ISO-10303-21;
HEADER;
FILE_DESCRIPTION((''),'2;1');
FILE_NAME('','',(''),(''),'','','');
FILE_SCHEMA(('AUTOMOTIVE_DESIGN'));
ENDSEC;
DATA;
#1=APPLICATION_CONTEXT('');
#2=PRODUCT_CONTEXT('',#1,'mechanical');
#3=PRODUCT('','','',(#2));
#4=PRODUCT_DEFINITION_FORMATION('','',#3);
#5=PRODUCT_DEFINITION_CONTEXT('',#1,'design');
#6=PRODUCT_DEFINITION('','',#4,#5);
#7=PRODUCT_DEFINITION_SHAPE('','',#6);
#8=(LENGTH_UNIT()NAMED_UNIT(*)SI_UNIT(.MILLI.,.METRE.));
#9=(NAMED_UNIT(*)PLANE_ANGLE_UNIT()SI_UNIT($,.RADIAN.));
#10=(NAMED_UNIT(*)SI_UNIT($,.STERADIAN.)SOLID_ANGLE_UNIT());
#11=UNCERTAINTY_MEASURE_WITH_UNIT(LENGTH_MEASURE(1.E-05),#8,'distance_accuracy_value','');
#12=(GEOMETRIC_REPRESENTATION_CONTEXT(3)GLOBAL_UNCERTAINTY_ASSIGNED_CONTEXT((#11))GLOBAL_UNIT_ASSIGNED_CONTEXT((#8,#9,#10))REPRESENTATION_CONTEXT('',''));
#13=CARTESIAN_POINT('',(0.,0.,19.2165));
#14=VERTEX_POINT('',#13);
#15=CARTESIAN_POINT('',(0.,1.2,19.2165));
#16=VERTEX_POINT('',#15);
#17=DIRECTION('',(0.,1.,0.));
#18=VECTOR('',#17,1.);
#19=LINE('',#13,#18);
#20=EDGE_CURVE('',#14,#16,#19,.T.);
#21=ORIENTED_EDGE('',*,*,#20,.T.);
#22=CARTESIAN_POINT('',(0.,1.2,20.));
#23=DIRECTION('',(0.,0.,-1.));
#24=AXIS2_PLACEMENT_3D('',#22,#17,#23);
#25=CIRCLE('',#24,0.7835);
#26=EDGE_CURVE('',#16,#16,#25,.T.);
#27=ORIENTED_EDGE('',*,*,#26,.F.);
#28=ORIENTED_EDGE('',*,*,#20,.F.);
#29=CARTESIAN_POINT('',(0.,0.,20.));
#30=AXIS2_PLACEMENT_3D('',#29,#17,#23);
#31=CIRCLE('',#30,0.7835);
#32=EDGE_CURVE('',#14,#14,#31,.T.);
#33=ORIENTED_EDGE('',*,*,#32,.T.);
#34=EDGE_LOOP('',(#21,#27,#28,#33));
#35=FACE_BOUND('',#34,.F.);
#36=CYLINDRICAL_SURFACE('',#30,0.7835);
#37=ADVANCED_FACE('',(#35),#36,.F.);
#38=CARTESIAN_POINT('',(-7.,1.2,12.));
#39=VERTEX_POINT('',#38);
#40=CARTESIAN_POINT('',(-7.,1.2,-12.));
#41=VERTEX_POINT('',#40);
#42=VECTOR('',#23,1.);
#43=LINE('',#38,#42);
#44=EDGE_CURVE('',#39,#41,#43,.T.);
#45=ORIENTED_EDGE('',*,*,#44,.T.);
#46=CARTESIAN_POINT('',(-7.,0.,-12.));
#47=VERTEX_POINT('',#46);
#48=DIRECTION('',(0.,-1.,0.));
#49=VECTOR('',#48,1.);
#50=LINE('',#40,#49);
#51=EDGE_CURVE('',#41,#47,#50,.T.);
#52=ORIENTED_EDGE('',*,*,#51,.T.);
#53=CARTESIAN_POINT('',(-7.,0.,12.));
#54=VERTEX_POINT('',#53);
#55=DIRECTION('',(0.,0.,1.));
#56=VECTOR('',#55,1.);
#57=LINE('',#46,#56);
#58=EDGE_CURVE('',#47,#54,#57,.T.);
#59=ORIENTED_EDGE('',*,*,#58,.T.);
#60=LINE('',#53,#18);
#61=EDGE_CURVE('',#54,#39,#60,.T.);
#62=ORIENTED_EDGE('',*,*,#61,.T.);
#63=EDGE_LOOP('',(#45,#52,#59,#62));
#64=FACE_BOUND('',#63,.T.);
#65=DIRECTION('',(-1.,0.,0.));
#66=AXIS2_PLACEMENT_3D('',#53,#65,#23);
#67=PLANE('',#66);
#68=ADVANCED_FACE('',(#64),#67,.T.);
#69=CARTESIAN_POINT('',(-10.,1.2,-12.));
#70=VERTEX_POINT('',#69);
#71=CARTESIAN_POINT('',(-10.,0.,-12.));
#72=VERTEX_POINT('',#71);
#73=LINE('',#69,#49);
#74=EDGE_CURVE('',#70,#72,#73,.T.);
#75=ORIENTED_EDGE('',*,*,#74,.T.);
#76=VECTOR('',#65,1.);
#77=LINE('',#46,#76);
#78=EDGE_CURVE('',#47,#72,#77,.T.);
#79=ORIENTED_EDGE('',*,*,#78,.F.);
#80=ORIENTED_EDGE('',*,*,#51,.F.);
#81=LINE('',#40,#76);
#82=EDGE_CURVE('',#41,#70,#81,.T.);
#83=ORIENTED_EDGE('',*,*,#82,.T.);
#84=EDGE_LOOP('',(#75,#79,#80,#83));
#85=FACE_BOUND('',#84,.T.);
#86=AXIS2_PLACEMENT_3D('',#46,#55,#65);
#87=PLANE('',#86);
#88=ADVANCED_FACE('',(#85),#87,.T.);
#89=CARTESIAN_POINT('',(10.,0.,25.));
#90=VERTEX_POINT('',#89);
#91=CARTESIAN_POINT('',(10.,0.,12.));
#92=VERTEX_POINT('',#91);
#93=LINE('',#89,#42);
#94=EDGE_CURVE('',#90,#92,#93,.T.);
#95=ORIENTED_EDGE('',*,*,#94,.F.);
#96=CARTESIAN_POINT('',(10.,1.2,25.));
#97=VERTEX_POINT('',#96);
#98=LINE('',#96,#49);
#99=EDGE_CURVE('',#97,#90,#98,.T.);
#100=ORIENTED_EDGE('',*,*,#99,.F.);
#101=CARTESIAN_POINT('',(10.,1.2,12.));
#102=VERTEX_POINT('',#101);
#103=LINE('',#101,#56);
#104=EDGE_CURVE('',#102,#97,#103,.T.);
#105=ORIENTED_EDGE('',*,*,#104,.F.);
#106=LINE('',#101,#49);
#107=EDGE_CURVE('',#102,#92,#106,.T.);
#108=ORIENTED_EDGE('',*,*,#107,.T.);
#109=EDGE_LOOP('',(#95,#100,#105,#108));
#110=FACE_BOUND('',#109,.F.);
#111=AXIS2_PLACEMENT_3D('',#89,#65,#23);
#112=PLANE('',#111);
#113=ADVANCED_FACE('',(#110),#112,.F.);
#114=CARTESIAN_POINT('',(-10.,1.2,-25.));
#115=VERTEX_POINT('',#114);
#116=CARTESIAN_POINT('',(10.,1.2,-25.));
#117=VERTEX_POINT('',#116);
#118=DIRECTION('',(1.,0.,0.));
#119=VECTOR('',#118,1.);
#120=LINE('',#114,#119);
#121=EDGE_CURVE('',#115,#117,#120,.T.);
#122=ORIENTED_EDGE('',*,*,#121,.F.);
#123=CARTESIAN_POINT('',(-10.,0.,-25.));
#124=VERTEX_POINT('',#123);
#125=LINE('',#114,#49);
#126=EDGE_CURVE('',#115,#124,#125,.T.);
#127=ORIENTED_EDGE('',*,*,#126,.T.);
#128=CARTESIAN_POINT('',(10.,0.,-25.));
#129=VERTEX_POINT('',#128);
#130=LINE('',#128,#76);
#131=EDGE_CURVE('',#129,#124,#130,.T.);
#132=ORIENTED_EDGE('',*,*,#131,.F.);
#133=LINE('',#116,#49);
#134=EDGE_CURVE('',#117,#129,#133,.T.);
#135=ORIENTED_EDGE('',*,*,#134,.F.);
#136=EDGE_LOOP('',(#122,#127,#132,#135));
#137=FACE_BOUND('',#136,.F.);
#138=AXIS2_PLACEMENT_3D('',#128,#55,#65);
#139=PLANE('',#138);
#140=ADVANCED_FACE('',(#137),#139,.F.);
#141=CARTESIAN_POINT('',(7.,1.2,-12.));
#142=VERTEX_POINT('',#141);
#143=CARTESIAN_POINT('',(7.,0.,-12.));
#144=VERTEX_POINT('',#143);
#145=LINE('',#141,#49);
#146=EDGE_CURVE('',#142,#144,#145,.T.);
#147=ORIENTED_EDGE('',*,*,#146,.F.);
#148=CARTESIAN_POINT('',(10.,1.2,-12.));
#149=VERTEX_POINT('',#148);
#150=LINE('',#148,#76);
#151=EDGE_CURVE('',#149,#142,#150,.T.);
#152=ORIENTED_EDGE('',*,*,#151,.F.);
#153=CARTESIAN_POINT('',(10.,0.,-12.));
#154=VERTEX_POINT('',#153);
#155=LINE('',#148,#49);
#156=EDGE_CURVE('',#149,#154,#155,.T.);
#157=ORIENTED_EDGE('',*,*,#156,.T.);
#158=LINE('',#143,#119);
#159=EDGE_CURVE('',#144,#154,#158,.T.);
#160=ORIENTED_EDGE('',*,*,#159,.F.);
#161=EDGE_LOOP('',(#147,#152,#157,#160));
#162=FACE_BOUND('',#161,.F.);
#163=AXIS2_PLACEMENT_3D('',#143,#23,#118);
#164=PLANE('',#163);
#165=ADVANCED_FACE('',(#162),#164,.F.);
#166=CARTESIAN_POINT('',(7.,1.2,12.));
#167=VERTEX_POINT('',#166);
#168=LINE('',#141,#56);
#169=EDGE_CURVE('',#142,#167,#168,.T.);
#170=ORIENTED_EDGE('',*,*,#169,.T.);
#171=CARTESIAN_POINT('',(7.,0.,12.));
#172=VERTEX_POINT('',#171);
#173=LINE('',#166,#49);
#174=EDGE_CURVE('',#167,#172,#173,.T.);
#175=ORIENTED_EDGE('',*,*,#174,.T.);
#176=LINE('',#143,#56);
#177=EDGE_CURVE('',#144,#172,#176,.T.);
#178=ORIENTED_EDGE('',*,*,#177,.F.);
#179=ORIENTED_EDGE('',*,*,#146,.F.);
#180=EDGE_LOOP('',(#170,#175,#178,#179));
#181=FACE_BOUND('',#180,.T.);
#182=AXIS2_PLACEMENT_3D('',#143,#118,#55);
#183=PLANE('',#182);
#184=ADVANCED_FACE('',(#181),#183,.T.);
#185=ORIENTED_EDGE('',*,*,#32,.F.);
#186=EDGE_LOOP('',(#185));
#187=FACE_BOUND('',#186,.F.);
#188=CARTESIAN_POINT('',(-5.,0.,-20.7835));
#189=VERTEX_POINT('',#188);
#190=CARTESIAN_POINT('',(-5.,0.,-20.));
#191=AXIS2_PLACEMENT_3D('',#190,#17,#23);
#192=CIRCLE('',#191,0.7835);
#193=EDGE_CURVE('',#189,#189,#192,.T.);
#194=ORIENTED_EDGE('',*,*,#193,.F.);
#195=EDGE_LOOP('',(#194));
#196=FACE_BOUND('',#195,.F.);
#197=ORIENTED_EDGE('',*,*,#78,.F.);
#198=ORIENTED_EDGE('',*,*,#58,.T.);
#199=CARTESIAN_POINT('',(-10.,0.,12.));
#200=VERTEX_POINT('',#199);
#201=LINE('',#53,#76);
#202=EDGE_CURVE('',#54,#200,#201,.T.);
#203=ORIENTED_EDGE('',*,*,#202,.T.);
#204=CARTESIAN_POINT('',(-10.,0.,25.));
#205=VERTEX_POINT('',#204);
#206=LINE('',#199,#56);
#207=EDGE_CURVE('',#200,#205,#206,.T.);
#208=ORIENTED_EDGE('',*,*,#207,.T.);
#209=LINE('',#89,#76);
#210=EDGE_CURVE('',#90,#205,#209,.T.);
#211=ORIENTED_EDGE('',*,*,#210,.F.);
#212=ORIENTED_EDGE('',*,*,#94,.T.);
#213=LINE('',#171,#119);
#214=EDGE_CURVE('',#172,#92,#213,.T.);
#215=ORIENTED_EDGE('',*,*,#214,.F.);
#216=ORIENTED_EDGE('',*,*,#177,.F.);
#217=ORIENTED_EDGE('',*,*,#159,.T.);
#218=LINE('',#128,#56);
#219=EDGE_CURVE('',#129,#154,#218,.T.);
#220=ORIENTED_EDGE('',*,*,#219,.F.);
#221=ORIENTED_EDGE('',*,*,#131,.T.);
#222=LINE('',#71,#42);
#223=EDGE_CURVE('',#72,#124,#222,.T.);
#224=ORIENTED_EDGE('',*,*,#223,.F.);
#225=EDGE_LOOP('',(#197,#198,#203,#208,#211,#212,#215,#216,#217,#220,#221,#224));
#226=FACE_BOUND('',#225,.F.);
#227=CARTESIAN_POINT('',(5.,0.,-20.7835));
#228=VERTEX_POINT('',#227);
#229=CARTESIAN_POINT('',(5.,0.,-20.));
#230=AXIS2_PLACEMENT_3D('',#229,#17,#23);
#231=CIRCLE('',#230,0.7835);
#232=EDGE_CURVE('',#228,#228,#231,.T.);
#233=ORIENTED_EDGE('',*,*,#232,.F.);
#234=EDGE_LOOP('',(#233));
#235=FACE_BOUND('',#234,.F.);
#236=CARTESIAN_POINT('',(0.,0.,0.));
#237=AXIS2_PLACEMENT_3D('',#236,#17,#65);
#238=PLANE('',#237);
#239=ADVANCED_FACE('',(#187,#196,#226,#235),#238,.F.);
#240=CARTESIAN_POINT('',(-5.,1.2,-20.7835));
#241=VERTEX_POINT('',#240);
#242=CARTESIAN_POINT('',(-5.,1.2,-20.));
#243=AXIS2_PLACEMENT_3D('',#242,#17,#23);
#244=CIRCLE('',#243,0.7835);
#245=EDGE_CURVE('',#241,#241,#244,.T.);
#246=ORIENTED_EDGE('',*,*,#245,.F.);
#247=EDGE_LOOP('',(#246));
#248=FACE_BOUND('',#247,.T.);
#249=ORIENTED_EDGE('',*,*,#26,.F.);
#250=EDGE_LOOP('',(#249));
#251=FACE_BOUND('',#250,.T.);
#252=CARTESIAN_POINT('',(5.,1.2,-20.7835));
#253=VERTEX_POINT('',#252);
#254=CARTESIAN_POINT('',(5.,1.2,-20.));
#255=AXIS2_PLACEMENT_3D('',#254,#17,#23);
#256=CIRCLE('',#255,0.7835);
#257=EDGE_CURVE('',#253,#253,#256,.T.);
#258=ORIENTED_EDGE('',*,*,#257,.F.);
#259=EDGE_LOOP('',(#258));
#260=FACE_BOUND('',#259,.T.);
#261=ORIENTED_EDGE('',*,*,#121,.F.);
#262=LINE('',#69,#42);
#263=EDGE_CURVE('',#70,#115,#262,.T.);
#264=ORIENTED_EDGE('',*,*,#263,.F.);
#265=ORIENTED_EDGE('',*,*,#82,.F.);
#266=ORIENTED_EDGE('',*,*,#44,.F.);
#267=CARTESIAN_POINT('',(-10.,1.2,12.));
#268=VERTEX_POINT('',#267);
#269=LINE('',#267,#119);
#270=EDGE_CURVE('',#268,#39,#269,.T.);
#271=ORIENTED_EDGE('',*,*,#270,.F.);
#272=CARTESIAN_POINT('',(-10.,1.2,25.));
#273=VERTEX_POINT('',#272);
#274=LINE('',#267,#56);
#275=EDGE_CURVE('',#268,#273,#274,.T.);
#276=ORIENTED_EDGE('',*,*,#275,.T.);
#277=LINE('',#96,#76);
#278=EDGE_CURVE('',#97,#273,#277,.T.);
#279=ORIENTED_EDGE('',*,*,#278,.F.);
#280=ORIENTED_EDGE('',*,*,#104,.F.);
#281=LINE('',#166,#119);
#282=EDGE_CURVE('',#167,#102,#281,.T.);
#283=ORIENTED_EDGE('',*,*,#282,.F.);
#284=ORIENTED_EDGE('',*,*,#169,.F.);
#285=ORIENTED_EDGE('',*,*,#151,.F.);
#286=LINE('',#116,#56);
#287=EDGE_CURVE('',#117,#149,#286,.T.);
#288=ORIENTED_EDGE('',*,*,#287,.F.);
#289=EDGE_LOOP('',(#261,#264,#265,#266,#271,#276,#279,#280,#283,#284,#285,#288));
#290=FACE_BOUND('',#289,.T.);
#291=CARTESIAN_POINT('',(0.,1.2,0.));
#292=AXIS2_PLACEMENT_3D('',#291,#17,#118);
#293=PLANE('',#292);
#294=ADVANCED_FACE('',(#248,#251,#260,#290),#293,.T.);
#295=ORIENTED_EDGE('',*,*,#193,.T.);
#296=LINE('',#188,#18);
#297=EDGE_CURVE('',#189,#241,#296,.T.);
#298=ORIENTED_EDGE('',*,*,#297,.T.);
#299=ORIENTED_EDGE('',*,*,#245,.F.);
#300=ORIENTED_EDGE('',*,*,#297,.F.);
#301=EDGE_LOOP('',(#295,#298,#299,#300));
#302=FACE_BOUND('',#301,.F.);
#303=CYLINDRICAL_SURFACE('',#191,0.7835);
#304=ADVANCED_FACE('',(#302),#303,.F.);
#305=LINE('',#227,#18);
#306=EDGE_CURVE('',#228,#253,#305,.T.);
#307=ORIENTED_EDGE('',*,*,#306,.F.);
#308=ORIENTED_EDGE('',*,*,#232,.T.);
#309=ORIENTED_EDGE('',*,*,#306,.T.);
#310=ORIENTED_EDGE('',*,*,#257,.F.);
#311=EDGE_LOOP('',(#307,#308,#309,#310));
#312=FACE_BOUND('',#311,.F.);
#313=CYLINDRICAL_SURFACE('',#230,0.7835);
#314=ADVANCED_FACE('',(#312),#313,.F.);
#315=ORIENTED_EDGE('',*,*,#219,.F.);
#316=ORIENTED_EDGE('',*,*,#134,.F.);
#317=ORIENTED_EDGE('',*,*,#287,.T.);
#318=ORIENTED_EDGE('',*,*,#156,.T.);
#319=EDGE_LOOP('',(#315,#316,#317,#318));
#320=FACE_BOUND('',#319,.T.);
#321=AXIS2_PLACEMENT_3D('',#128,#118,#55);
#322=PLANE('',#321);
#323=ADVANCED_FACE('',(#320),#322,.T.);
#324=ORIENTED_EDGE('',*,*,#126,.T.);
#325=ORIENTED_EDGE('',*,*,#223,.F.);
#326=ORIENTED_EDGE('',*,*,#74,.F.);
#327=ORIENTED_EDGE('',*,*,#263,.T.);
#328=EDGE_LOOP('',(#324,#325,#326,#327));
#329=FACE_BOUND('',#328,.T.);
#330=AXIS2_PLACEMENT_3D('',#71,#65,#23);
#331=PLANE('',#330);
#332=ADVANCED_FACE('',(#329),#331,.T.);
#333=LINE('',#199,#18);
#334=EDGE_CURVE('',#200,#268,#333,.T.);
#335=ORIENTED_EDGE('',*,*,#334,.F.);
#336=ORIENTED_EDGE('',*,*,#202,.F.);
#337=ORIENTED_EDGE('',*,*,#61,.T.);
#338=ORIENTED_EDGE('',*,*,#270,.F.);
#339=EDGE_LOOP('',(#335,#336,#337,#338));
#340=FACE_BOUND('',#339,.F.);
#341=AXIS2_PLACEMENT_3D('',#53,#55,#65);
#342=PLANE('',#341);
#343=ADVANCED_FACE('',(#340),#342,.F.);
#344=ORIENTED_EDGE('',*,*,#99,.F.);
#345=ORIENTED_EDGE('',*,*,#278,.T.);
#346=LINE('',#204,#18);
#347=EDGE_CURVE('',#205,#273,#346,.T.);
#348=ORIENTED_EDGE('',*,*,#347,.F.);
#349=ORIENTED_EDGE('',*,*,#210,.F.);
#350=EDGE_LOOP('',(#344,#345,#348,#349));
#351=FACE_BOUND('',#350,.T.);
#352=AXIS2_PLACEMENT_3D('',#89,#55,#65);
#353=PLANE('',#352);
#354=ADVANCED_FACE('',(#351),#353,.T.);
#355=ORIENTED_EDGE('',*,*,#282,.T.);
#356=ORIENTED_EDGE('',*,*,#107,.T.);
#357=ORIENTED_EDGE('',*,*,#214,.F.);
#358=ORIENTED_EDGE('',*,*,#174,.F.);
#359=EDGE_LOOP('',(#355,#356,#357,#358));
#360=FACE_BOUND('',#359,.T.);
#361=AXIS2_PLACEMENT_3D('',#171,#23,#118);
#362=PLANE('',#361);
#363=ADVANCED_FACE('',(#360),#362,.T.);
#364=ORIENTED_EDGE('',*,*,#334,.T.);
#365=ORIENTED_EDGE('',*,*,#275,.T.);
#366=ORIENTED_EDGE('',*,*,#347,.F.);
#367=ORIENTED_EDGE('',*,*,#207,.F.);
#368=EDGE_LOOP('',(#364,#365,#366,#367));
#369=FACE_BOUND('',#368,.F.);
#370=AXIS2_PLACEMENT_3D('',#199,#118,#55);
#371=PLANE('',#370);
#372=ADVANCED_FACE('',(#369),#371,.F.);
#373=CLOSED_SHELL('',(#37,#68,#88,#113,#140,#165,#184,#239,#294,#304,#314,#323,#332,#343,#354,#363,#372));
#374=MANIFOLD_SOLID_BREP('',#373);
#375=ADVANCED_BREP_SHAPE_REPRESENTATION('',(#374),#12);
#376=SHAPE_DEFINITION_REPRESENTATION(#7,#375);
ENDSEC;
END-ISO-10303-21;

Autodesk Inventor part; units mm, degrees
ref_plane "YZ Plane" through (0, 0, 0) normal (1, 0, 0) x (0, 1, 0)
ref_plane "XZ Plane" through (0, 0, 0) normal (0, 1, 0) x (-1, 0, 0)
ref_plane "XY Plane" through (0, 0, 0) normal (0, 0, 1) x (1, 0, 0)
sketch "Sketch1" plane through (0, 0, 0) normal (0, 1, 0) x (-1, 0, 0)
  line L0 (7, 12) -> (10, 12)
  line L1 (-7, 12) -> (-10, 12)
  line L2 (-10, 25) -> (-10, 12)
  line L3 (10, 12) -> (10, 25)
  line L4 (-10, 25) -> (10, 25)
  line L5 (7, 0) -> (-7, 0) construction
  line L6 (-7, 12) -> (-7, 0)
  line L7 (7, 12) -> (7, 0)
  line L8 (-10, 20) -> (0, 20) construction
  line L9 (-10, 20) -> (-5, 20) construction
  line L10 (10, 20) -> (5, 20) construction
  line L11 (7, -12) -> (10, -12)
  line L12 (-7, -12) -> (-10, -12)
  line L13 (-10, -25) -> (-10, -12)
  line L14 (10, -12) -> (10, -25)
  line L15 (-10, -25) -> (10, -25)
  line L16 (-7, -12) -> (-7, 0)
  line L17 (7, -12) -> (7, 0)
  line L18 (-10, -20) -> (0, -20) construction
  line L19 (-10, -20) -> (-5, -20) construction
  line L20 (10, -20) -> (5, -20) construction
  point P0 (0, 0)
  dimension "d39" = 12
  dimension "d40" = 13
  dimension "d41" = 20
extrude "Extrusion1" add sketch "Sketch1" along normal blind 1
sketch "Sketch2" plane through (0, 1, 0) normal (0, 1, 0) x (1, 0, 0)
  line L0 (-10, -12) -> (-10, -25) projected
  line L1 (-10, -25) -> (-10, -12) projected
  line L2 (-10, -12) -> (-7, -12) projected
  line L3 (7, -12) -> (10, -12) projected
  line L4 (10, -12) -> (10, -25) projected
  line L5 (-7, -12) -> (-7, 12) projected
  line L6 (7, 12) -> (7, -12) projected
  line L7 (10, -25) -> (-10, -25) projected
  line L8 (-7, 12) -> (-10, 12) projected
  line L9 (-10, 12) -> (-10, 25) projected
  line L10 (-10, 25) -> (10, 25) projected
  line L11 (10, 25) -> (10, 12) projected
  line L12 (10, 12) -> (7, 12) projected
  point P0 (0, 0)
  point P1 (-10, -40)
extrude "Extrusion2" add sketch "Sketch2" along normal blind 0.2
hole "Hole3" at (-5, 0, -20) at (5, 0, -20) at (0, 0, 20) direction (0, 1, 0) diameter 1.567 end through all thread size "M2x0.4" class "6H" standard "ISO Metric profile"
properties part number "PCB-blank-20x20"
